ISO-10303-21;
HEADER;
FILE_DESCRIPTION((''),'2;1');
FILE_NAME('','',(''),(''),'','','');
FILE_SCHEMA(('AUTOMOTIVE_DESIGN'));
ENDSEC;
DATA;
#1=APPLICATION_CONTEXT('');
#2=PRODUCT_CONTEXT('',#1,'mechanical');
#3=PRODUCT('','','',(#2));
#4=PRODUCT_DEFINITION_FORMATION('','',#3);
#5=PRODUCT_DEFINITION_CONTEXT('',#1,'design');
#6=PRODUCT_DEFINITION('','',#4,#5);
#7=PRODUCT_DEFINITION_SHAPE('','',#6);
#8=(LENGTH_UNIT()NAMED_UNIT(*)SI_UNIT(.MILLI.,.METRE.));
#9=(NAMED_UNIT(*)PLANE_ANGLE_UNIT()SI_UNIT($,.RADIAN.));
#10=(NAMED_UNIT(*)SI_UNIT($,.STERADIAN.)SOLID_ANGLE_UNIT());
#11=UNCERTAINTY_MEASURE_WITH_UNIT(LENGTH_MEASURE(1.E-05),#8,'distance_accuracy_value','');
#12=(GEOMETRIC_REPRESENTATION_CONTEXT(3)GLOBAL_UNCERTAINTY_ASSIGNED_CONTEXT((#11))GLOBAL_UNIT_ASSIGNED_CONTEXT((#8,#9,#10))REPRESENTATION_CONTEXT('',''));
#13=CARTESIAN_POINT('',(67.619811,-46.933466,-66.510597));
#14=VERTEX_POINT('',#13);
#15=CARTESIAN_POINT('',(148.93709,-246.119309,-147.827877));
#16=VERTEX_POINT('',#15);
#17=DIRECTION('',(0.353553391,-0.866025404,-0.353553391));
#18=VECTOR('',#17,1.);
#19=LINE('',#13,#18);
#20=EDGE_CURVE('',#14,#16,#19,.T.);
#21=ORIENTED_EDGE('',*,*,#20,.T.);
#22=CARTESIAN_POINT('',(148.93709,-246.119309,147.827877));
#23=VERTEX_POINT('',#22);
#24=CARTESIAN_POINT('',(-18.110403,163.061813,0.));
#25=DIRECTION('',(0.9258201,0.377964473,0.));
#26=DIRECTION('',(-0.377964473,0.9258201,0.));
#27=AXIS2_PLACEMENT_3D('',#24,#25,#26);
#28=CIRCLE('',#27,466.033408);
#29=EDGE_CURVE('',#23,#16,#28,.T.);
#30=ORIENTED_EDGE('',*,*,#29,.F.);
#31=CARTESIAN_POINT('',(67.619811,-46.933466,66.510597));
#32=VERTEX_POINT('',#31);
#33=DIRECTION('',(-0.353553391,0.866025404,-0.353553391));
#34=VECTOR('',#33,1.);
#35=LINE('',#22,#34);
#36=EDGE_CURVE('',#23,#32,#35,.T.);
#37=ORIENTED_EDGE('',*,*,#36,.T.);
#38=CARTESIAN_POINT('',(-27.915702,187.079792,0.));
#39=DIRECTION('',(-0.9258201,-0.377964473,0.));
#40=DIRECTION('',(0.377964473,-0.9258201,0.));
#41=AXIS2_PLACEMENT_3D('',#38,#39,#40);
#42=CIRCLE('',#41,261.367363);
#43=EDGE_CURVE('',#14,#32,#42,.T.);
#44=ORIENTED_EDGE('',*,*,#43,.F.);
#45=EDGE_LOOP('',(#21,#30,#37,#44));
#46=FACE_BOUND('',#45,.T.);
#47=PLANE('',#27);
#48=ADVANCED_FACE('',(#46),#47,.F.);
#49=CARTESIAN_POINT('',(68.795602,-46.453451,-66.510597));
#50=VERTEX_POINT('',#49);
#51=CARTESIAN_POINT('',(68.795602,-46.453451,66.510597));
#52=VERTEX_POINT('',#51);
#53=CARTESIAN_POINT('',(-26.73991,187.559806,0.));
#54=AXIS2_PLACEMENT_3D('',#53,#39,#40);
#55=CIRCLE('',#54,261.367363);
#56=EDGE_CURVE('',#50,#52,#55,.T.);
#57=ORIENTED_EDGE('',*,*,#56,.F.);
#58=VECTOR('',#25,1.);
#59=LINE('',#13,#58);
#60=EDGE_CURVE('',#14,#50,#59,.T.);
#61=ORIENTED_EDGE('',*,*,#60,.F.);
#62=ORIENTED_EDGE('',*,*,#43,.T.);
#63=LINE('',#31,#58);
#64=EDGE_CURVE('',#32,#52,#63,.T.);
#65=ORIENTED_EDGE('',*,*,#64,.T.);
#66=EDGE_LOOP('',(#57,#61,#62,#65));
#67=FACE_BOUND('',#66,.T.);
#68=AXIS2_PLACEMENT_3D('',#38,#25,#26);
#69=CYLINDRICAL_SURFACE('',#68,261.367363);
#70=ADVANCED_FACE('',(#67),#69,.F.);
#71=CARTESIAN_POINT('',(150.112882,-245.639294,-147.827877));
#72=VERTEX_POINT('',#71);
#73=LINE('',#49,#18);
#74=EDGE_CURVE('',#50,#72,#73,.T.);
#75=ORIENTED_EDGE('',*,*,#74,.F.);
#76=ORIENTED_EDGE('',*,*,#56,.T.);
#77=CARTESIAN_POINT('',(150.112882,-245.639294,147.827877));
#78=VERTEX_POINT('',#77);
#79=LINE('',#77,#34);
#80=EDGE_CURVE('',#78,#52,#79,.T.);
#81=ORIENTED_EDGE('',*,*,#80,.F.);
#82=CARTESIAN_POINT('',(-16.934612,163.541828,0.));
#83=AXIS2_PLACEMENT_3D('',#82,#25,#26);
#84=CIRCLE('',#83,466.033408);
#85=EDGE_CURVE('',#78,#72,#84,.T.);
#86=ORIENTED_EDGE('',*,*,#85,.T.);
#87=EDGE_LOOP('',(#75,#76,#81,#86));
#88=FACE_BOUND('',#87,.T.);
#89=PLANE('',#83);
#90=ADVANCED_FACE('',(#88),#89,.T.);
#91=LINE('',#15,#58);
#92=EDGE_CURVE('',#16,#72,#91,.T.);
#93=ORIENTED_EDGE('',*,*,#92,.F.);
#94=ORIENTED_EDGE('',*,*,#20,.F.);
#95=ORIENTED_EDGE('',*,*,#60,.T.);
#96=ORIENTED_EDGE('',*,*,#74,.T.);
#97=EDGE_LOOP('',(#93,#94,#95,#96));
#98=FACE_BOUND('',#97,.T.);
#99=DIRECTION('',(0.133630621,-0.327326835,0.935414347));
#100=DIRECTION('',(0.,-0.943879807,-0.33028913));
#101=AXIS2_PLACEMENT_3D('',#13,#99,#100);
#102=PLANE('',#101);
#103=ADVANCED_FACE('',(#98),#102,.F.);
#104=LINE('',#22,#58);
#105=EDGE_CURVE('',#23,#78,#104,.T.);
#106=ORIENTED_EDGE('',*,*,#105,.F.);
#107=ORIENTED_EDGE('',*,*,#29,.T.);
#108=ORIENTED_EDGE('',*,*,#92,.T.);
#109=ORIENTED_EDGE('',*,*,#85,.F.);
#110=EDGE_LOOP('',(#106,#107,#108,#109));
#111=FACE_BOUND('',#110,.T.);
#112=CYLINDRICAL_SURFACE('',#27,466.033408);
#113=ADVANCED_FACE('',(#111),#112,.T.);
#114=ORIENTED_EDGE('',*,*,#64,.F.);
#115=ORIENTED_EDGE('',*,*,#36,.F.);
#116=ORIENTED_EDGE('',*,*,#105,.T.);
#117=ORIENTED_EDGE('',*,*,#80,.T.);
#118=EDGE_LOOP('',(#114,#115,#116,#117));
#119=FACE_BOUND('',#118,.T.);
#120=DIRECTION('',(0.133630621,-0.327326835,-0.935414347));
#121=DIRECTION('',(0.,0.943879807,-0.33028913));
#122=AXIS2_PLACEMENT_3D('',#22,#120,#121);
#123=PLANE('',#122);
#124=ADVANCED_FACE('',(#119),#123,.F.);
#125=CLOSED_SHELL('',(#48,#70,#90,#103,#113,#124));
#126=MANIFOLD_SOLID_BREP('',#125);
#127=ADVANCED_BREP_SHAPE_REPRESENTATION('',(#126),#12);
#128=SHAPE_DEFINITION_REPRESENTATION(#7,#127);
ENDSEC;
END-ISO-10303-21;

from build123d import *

# Parameters (mm, degrees)
BOSS_EXTRUDE1_DEPTH = 0.635


with BuildPart() as part:
    # Sketch2 → Boss-Extrude1 (new, symmetric)
    with BuildSketch(Plane(origin=(27.417986621, 53.220541518, 84.504712269), x_dir=(-0.26797118733009057, 0.6563926747264984, 0.7052234392916155), z_dir=(-0.9258200997725546, -0.37796447300921987, -1.5945744696156478e-15))):
        with BuildLine():
            Line((-183.012823429, 30.960278722), (-392.894491387, -63.112488088))
            ThreePointArc((-392.894491387, -63.112488088), (-305.706152548, -184.893065182), (-184.391123321, -272.728018763))
            Line((-184.391123321, -272.728018763), (-89.203158884, -63.349769114))
            ThreePointArc((-89.203158884, -63.349769114), (-142.208209655, -22.262597606), (-183.012823429, 30.960278722))
        make_face()
    extrude(amount=BOSS_EXTRUDE1_DEPTH, both=True)


solid = part.part
